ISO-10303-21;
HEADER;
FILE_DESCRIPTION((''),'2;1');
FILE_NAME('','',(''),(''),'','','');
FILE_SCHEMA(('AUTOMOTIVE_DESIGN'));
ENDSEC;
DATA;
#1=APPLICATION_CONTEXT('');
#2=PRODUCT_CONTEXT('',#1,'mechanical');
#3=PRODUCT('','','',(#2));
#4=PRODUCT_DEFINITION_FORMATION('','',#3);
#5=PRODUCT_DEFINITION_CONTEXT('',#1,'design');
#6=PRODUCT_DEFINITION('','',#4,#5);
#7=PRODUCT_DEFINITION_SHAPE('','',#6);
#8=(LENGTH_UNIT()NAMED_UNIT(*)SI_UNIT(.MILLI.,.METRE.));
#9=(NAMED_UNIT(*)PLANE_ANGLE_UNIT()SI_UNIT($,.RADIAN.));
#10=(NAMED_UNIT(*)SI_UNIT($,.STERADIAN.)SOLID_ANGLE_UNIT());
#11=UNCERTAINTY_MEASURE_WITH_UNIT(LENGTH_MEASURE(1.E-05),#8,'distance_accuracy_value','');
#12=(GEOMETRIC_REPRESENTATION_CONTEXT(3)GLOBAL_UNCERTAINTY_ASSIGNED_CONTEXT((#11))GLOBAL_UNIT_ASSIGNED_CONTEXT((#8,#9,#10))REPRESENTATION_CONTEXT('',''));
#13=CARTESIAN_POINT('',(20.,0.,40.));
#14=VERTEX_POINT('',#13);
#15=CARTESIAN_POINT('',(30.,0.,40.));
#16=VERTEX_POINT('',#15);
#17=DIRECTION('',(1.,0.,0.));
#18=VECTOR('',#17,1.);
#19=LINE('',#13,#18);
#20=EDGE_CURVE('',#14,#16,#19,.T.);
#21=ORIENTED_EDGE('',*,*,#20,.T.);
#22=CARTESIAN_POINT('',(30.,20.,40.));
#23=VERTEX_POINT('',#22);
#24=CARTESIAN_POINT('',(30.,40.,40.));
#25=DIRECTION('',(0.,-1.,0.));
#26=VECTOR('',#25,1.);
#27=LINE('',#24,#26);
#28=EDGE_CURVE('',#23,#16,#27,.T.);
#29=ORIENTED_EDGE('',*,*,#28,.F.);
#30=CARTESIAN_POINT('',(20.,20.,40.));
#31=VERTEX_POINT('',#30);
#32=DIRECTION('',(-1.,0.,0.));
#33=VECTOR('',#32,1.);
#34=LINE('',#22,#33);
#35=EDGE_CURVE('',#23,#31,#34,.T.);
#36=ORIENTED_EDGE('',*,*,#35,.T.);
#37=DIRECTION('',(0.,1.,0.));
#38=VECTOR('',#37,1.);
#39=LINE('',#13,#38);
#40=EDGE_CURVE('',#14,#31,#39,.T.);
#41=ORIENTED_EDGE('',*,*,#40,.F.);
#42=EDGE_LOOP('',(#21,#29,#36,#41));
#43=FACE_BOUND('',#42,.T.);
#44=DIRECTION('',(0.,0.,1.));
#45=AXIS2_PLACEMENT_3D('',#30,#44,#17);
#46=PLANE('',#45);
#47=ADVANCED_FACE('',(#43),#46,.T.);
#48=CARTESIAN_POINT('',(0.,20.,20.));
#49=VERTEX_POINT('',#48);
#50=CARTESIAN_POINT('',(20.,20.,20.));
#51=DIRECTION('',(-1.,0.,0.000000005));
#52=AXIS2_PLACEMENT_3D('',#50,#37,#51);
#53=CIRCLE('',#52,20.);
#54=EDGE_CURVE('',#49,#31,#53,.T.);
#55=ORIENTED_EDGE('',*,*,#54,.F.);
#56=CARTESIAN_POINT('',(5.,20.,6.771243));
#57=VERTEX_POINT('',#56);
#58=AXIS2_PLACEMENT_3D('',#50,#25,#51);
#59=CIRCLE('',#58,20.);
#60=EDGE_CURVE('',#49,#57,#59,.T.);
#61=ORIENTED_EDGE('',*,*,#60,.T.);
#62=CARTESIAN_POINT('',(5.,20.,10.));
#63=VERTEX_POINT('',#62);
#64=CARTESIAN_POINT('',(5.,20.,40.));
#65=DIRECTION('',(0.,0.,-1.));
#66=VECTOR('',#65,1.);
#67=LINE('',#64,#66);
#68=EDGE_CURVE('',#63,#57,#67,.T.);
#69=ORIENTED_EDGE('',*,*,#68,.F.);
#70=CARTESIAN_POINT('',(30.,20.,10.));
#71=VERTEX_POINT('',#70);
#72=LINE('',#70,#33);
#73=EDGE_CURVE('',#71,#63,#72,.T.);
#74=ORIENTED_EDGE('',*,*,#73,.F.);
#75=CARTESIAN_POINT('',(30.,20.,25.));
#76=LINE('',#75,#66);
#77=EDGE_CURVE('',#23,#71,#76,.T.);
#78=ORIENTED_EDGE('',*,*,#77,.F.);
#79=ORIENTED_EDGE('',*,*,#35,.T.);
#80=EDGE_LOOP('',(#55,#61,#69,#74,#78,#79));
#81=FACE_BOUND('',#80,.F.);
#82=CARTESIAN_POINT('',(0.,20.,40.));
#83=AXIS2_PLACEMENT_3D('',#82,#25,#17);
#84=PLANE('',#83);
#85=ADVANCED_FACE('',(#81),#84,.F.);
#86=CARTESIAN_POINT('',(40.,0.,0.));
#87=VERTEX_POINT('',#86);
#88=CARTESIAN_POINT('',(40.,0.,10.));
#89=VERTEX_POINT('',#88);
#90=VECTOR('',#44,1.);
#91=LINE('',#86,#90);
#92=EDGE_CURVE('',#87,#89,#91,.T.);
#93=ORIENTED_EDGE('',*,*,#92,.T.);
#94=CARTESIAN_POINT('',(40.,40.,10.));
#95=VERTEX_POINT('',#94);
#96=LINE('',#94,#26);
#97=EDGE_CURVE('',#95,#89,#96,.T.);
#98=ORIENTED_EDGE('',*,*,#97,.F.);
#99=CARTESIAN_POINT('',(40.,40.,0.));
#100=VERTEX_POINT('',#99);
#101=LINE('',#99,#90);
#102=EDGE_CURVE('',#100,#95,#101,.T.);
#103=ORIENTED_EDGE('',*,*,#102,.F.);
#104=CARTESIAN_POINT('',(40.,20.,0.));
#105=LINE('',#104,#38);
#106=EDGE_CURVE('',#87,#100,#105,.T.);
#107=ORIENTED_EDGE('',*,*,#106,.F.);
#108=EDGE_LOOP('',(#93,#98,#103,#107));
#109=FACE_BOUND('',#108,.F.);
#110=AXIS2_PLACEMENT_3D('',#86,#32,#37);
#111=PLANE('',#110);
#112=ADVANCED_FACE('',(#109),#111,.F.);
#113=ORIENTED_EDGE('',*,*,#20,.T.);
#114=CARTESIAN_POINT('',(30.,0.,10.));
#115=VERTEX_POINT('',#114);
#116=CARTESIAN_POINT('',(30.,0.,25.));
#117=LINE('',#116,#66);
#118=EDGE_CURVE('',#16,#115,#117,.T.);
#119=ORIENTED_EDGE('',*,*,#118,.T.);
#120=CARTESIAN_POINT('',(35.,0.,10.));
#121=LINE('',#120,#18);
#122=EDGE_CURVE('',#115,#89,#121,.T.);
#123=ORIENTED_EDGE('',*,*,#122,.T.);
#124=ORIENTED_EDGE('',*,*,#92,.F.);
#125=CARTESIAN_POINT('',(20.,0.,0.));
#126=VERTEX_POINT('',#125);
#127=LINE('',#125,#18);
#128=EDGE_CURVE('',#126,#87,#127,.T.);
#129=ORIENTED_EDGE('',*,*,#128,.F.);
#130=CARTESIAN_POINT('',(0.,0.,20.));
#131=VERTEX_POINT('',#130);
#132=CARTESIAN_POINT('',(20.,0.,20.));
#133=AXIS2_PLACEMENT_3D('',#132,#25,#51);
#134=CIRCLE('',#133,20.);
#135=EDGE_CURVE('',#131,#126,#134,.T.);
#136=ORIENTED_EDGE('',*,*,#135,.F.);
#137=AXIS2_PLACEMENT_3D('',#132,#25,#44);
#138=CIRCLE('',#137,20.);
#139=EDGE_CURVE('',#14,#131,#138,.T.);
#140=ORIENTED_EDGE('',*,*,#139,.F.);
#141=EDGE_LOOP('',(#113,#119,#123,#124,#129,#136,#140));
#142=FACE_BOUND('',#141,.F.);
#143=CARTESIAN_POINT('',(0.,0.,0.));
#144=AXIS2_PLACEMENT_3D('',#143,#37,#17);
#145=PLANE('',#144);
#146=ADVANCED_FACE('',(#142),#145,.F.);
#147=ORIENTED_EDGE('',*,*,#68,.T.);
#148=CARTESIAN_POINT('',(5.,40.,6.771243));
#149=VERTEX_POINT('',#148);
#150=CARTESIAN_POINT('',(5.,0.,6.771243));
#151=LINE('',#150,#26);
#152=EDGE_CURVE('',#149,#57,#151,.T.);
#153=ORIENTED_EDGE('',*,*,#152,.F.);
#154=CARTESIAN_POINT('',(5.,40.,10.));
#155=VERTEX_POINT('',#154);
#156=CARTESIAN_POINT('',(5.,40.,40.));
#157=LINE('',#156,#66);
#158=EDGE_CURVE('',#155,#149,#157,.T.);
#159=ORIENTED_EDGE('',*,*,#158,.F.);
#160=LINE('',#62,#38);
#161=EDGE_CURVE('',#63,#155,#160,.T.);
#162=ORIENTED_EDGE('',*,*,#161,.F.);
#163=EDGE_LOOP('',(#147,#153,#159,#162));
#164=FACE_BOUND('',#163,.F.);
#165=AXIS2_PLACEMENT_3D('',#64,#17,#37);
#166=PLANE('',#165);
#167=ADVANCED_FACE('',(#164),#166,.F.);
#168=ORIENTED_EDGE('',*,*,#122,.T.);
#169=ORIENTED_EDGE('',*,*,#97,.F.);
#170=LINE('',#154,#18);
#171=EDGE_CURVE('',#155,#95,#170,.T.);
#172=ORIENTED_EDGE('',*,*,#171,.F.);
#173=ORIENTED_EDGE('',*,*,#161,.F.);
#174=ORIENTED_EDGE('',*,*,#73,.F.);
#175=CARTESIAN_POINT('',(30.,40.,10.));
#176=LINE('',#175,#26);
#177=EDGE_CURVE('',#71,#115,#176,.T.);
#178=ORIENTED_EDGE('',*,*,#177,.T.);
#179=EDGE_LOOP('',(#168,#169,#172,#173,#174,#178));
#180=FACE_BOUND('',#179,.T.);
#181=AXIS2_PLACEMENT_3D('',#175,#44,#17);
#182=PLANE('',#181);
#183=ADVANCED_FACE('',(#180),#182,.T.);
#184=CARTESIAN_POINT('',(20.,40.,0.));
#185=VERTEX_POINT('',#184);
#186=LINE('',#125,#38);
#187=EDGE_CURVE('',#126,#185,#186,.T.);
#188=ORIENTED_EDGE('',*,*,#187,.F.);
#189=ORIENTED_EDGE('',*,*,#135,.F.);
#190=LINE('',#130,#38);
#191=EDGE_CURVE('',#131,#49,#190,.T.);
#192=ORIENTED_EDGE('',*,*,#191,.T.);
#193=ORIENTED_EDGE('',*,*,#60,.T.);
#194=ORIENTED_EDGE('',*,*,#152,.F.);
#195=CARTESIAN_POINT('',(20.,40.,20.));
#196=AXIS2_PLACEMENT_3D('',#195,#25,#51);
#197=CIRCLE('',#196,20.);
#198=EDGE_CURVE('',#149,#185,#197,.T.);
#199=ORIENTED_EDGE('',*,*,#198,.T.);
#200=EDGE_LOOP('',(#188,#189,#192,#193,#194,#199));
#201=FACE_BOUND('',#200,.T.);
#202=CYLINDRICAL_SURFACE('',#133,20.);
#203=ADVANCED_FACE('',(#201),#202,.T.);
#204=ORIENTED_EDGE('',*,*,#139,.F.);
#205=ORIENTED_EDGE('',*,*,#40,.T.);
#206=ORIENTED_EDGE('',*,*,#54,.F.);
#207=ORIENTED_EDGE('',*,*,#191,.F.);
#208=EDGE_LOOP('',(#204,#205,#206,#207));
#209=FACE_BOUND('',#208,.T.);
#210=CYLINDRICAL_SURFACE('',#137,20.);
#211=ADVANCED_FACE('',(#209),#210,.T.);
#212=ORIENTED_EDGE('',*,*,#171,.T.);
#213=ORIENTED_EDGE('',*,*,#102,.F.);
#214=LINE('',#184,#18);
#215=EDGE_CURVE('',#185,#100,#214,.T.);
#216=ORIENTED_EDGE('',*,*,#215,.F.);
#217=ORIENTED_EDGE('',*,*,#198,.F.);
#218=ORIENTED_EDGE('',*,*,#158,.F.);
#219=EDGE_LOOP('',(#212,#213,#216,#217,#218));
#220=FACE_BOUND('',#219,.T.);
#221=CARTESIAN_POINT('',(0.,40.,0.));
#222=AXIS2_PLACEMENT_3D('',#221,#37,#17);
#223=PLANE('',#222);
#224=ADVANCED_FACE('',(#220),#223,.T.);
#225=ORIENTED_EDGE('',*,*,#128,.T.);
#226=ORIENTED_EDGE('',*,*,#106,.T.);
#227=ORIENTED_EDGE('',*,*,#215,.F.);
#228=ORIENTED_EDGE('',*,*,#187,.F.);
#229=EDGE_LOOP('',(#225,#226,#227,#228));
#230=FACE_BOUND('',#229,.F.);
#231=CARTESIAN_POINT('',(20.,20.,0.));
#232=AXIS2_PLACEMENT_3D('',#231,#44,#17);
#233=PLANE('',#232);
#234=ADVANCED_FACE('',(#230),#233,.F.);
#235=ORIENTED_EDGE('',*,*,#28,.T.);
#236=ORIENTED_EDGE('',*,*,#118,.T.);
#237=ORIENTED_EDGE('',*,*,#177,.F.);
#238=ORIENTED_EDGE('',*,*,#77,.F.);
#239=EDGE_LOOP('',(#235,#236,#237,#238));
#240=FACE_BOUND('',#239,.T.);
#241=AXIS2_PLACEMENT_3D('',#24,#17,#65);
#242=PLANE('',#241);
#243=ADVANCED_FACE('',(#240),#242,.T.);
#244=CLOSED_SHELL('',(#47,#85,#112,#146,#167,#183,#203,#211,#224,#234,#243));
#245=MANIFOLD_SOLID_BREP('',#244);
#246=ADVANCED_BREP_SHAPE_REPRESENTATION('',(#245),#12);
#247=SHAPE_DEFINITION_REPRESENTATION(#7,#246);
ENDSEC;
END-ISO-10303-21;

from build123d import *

# Parameters (mm, degrees)
SKETCH1_W           = 40
SKETCH1_H           = 40
BOSS_EXTRUDE1_DEPTH = 40
SKETCH2_W           = 5
SKETCH2_H           = 20
CUT_EXTRUDE1_DEPTH  = 40
CUT_EXTRUDE2_DEPTH  = 40
SKETCH4_W           = 10
SKETCH4_H           = 30
CUT_EXTRUDE3_DEPTH  = 40
SKETCH5_W           = 30
SKETCH5_H           = 20
CUT_EXTRUDE4_DEPTH  = 40


with BuildPart() as part:
    # Sketch1 → Boss-Extrude1 (new body)
    with BuildSketch(Plane.XY):
        with Locations((20, 20)):
            Rectangle(SKETCH1_W, SKETCH1_H)
    extrude(amount=BOSS_EXTRUDE1_DEPTH)

    # Sketch2 → Cut-Extrude1 (cut)
    with BuildSketch(Plane.XY.offset(40)):
        with Locations((2.5, 30)):
            Rectangle(SKETCH2_W, SKETCH2_H)
    extrude(amount=-CUT_EXTRUDE1_DEPTH, mode=Mode.SUBTRACT)

    # Sketch3 → Cut-Extrude2 (cut)
    with BuildSketch(Plane(origin=(0, 0, 0), x_dir=(1, 0, 0), z_dir=(0, 1, 0))):
        with BuildLine():
            ThreePointArc((0, -20.000000105), (5.857864339, -5.857864414), (20, 0))
            Line((20, 0), (0, 0))
            Line((0, 0), (0, -20.000000105))
        make_face()
        with BuildLine():
            ThreePointArc((20, -40), (5.857864414, -34.142135661), (0, -20.000000105))
            Line((0, -20.000000105), (0, -40))
            Line((0, -40), (20, -40))
        make_face()
    extrude(amount=CUT_EXTRUDE2_DEPTH, mode=Mode.SUBTRACT)

    # Sketch4 → Cut-Extrude3 (cut)
    with BuildSketch(Plane(origin=(0, 40, 0), x_dir=(1, 0, 0), z_dir=(0, 1, 0))):
        with Locations((35, -25)):
            Rectangle(SKETCH4_W, SKETCH4_H)
    extrude(amount=-CUT_EXTRUDE3_DEPTH, mode=Mode.SUBTRACT)

    # Sketch5 → Cut-Extrude4 (cut)
    with BuildSketch(Plane(origin=(30, 0, 0), x_dir=(0, 0, -1), z_dir=(1, 0, 0))):
        with Locations((-25, 30)):
            Rectangle(SKETCH5_W, SKETCH5_H)
    extrude(amount=-CUT_EXTRUDE4_DEPTH, mode=Mode.SUBTRACT)


solid = part.part
